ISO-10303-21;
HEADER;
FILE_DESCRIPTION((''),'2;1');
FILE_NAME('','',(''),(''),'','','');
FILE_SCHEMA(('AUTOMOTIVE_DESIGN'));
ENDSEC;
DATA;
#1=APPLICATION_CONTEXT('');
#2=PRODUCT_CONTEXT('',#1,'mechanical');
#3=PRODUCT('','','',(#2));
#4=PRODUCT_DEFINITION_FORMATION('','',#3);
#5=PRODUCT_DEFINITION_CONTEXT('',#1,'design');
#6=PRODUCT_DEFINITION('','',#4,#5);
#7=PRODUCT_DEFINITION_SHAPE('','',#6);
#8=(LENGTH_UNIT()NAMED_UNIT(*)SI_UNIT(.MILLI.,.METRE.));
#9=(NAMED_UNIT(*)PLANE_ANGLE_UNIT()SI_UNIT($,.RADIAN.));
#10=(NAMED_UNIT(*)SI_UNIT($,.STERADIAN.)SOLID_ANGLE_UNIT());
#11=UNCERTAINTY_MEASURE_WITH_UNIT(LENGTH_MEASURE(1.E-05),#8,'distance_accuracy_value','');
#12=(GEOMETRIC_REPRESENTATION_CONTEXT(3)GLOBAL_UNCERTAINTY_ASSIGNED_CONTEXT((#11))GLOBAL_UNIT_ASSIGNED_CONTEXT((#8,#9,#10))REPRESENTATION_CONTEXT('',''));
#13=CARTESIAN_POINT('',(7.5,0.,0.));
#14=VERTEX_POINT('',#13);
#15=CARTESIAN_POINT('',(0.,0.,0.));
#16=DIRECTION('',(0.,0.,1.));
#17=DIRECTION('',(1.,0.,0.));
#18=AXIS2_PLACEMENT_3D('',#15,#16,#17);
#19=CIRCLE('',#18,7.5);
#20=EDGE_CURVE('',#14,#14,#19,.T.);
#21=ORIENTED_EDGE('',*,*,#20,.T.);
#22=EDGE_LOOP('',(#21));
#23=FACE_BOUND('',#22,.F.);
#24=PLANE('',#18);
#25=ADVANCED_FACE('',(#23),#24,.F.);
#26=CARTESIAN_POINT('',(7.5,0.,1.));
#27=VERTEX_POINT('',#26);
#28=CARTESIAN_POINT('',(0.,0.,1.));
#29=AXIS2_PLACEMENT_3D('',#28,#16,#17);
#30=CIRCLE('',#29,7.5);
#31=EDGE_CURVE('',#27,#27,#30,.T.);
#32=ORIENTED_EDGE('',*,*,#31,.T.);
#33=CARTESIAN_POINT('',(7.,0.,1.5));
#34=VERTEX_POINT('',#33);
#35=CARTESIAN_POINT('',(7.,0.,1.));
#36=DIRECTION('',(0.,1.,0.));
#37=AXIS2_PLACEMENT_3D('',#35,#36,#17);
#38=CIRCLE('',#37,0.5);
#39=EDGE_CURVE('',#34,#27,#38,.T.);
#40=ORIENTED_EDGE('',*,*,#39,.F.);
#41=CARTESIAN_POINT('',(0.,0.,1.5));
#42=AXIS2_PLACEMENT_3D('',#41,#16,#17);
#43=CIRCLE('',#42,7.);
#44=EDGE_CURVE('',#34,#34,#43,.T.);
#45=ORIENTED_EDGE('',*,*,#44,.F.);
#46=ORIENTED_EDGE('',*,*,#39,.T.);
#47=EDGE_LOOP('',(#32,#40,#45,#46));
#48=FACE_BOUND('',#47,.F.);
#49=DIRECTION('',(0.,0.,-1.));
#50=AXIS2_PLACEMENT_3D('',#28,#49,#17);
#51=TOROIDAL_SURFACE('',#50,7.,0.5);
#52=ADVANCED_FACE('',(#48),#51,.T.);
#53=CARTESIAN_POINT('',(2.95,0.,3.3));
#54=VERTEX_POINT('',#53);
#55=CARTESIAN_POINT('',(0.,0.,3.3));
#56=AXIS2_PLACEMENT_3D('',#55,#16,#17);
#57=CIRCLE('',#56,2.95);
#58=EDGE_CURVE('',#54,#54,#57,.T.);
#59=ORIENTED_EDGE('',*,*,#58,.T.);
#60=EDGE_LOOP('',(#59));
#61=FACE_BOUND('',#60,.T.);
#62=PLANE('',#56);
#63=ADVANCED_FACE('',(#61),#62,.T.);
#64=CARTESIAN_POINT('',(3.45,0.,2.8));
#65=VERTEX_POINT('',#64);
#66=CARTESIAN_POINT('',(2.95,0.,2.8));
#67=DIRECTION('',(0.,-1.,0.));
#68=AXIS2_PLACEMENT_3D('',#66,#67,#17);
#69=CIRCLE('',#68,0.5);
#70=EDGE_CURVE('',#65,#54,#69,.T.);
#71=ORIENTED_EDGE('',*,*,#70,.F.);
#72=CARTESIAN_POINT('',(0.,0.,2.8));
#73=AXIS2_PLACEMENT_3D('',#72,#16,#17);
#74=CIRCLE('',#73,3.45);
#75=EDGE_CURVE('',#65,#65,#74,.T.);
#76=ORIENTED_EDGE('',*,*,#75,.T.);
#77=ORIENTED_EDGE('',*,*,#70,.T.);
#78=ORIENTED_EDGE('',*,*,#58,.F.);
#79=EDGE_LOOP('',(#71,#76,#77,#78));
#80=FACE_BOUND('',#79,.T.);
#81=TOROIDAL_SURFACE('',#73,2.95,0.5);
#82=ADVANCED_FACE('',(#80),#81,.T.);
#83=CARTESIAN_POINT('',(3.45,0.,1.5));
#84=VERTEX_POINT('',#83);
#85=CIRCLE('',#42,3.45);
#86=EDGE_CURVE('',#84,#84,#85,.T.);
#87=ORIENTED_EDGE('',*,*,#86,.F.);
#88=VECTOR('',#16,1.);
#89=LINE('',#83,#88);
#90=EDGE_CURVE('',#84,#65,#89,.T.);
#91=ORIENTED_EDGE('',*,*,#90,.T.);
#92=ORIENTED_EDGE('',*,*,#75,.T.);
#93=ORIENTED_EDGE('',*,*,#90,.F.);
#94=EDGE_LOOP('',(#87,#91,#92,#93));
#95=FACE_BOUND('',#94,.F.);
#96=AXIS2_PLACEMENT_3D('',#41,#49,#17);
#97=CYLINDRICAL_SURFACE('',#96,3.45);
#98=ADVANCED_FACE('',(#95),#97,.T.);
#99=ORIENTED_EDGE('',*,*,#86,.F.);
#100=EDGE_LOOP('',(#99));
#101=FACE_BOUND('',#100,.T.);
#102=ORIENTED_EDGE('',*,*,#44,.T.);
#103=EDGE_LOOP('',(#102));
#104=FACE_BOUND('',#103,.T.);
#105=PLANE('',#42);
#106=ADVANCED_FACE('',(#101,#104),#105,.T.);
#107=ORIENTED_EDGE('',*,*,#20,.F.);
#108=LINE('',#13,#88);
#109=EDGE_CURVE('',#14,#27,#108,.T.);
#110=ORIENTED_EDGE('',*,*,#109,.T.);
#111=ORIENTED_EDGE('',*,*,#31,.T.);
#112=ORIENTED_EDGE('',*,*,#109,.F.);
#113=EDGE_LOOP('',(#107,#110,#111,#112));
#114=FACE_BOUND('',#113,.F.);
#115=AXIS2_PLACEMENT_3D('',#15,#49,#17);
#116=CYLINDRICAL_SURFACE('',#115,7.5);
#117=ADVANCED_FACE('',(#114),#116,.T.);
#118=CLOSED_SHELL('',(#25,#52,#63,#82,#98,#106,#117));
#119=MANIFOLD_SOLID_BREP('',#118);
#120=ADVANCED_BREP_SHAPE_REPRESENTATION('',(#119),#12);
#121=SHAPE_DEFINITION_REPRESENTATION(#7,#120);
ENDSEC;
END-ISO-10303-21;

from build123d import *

# Parameters (mm, degrees)
F0_R     = 7.5
F1_DEPTH = 1.5
F2_R     = 3.45
F3_DEPTH = 1.8
F4_R     = 0.5
F5_R     = 0.5


with BuildPart() as f1:
    # F0 (on Top) → F1 (new body)
    with BuildSketch(Plane.XY):
        Circle(F0_R)
    extrude(amount=F1_DEPTH)

    # F2 (on face) → F3 (join)
    with BuildSketch(Plane.XY.offset(1.5)):
        Circle(F2_R)
    extrude(amount=F3_DEPTH)

    # F4
    f4_edges = [f1.edges().sort_by_distance(p)[0] for p in [
        (-3.45, 0, 3.3),
    ]]
    fillet(f4_edges, radius=F4_R)

    # F5
    f5_edges = [f1.edges().sort_by_distance(p)[0] for p in [
        (-7.5, 0, 1.5),
    ]]
    fillet(f5_edges, radius=F5_R)


solid = f1.part
